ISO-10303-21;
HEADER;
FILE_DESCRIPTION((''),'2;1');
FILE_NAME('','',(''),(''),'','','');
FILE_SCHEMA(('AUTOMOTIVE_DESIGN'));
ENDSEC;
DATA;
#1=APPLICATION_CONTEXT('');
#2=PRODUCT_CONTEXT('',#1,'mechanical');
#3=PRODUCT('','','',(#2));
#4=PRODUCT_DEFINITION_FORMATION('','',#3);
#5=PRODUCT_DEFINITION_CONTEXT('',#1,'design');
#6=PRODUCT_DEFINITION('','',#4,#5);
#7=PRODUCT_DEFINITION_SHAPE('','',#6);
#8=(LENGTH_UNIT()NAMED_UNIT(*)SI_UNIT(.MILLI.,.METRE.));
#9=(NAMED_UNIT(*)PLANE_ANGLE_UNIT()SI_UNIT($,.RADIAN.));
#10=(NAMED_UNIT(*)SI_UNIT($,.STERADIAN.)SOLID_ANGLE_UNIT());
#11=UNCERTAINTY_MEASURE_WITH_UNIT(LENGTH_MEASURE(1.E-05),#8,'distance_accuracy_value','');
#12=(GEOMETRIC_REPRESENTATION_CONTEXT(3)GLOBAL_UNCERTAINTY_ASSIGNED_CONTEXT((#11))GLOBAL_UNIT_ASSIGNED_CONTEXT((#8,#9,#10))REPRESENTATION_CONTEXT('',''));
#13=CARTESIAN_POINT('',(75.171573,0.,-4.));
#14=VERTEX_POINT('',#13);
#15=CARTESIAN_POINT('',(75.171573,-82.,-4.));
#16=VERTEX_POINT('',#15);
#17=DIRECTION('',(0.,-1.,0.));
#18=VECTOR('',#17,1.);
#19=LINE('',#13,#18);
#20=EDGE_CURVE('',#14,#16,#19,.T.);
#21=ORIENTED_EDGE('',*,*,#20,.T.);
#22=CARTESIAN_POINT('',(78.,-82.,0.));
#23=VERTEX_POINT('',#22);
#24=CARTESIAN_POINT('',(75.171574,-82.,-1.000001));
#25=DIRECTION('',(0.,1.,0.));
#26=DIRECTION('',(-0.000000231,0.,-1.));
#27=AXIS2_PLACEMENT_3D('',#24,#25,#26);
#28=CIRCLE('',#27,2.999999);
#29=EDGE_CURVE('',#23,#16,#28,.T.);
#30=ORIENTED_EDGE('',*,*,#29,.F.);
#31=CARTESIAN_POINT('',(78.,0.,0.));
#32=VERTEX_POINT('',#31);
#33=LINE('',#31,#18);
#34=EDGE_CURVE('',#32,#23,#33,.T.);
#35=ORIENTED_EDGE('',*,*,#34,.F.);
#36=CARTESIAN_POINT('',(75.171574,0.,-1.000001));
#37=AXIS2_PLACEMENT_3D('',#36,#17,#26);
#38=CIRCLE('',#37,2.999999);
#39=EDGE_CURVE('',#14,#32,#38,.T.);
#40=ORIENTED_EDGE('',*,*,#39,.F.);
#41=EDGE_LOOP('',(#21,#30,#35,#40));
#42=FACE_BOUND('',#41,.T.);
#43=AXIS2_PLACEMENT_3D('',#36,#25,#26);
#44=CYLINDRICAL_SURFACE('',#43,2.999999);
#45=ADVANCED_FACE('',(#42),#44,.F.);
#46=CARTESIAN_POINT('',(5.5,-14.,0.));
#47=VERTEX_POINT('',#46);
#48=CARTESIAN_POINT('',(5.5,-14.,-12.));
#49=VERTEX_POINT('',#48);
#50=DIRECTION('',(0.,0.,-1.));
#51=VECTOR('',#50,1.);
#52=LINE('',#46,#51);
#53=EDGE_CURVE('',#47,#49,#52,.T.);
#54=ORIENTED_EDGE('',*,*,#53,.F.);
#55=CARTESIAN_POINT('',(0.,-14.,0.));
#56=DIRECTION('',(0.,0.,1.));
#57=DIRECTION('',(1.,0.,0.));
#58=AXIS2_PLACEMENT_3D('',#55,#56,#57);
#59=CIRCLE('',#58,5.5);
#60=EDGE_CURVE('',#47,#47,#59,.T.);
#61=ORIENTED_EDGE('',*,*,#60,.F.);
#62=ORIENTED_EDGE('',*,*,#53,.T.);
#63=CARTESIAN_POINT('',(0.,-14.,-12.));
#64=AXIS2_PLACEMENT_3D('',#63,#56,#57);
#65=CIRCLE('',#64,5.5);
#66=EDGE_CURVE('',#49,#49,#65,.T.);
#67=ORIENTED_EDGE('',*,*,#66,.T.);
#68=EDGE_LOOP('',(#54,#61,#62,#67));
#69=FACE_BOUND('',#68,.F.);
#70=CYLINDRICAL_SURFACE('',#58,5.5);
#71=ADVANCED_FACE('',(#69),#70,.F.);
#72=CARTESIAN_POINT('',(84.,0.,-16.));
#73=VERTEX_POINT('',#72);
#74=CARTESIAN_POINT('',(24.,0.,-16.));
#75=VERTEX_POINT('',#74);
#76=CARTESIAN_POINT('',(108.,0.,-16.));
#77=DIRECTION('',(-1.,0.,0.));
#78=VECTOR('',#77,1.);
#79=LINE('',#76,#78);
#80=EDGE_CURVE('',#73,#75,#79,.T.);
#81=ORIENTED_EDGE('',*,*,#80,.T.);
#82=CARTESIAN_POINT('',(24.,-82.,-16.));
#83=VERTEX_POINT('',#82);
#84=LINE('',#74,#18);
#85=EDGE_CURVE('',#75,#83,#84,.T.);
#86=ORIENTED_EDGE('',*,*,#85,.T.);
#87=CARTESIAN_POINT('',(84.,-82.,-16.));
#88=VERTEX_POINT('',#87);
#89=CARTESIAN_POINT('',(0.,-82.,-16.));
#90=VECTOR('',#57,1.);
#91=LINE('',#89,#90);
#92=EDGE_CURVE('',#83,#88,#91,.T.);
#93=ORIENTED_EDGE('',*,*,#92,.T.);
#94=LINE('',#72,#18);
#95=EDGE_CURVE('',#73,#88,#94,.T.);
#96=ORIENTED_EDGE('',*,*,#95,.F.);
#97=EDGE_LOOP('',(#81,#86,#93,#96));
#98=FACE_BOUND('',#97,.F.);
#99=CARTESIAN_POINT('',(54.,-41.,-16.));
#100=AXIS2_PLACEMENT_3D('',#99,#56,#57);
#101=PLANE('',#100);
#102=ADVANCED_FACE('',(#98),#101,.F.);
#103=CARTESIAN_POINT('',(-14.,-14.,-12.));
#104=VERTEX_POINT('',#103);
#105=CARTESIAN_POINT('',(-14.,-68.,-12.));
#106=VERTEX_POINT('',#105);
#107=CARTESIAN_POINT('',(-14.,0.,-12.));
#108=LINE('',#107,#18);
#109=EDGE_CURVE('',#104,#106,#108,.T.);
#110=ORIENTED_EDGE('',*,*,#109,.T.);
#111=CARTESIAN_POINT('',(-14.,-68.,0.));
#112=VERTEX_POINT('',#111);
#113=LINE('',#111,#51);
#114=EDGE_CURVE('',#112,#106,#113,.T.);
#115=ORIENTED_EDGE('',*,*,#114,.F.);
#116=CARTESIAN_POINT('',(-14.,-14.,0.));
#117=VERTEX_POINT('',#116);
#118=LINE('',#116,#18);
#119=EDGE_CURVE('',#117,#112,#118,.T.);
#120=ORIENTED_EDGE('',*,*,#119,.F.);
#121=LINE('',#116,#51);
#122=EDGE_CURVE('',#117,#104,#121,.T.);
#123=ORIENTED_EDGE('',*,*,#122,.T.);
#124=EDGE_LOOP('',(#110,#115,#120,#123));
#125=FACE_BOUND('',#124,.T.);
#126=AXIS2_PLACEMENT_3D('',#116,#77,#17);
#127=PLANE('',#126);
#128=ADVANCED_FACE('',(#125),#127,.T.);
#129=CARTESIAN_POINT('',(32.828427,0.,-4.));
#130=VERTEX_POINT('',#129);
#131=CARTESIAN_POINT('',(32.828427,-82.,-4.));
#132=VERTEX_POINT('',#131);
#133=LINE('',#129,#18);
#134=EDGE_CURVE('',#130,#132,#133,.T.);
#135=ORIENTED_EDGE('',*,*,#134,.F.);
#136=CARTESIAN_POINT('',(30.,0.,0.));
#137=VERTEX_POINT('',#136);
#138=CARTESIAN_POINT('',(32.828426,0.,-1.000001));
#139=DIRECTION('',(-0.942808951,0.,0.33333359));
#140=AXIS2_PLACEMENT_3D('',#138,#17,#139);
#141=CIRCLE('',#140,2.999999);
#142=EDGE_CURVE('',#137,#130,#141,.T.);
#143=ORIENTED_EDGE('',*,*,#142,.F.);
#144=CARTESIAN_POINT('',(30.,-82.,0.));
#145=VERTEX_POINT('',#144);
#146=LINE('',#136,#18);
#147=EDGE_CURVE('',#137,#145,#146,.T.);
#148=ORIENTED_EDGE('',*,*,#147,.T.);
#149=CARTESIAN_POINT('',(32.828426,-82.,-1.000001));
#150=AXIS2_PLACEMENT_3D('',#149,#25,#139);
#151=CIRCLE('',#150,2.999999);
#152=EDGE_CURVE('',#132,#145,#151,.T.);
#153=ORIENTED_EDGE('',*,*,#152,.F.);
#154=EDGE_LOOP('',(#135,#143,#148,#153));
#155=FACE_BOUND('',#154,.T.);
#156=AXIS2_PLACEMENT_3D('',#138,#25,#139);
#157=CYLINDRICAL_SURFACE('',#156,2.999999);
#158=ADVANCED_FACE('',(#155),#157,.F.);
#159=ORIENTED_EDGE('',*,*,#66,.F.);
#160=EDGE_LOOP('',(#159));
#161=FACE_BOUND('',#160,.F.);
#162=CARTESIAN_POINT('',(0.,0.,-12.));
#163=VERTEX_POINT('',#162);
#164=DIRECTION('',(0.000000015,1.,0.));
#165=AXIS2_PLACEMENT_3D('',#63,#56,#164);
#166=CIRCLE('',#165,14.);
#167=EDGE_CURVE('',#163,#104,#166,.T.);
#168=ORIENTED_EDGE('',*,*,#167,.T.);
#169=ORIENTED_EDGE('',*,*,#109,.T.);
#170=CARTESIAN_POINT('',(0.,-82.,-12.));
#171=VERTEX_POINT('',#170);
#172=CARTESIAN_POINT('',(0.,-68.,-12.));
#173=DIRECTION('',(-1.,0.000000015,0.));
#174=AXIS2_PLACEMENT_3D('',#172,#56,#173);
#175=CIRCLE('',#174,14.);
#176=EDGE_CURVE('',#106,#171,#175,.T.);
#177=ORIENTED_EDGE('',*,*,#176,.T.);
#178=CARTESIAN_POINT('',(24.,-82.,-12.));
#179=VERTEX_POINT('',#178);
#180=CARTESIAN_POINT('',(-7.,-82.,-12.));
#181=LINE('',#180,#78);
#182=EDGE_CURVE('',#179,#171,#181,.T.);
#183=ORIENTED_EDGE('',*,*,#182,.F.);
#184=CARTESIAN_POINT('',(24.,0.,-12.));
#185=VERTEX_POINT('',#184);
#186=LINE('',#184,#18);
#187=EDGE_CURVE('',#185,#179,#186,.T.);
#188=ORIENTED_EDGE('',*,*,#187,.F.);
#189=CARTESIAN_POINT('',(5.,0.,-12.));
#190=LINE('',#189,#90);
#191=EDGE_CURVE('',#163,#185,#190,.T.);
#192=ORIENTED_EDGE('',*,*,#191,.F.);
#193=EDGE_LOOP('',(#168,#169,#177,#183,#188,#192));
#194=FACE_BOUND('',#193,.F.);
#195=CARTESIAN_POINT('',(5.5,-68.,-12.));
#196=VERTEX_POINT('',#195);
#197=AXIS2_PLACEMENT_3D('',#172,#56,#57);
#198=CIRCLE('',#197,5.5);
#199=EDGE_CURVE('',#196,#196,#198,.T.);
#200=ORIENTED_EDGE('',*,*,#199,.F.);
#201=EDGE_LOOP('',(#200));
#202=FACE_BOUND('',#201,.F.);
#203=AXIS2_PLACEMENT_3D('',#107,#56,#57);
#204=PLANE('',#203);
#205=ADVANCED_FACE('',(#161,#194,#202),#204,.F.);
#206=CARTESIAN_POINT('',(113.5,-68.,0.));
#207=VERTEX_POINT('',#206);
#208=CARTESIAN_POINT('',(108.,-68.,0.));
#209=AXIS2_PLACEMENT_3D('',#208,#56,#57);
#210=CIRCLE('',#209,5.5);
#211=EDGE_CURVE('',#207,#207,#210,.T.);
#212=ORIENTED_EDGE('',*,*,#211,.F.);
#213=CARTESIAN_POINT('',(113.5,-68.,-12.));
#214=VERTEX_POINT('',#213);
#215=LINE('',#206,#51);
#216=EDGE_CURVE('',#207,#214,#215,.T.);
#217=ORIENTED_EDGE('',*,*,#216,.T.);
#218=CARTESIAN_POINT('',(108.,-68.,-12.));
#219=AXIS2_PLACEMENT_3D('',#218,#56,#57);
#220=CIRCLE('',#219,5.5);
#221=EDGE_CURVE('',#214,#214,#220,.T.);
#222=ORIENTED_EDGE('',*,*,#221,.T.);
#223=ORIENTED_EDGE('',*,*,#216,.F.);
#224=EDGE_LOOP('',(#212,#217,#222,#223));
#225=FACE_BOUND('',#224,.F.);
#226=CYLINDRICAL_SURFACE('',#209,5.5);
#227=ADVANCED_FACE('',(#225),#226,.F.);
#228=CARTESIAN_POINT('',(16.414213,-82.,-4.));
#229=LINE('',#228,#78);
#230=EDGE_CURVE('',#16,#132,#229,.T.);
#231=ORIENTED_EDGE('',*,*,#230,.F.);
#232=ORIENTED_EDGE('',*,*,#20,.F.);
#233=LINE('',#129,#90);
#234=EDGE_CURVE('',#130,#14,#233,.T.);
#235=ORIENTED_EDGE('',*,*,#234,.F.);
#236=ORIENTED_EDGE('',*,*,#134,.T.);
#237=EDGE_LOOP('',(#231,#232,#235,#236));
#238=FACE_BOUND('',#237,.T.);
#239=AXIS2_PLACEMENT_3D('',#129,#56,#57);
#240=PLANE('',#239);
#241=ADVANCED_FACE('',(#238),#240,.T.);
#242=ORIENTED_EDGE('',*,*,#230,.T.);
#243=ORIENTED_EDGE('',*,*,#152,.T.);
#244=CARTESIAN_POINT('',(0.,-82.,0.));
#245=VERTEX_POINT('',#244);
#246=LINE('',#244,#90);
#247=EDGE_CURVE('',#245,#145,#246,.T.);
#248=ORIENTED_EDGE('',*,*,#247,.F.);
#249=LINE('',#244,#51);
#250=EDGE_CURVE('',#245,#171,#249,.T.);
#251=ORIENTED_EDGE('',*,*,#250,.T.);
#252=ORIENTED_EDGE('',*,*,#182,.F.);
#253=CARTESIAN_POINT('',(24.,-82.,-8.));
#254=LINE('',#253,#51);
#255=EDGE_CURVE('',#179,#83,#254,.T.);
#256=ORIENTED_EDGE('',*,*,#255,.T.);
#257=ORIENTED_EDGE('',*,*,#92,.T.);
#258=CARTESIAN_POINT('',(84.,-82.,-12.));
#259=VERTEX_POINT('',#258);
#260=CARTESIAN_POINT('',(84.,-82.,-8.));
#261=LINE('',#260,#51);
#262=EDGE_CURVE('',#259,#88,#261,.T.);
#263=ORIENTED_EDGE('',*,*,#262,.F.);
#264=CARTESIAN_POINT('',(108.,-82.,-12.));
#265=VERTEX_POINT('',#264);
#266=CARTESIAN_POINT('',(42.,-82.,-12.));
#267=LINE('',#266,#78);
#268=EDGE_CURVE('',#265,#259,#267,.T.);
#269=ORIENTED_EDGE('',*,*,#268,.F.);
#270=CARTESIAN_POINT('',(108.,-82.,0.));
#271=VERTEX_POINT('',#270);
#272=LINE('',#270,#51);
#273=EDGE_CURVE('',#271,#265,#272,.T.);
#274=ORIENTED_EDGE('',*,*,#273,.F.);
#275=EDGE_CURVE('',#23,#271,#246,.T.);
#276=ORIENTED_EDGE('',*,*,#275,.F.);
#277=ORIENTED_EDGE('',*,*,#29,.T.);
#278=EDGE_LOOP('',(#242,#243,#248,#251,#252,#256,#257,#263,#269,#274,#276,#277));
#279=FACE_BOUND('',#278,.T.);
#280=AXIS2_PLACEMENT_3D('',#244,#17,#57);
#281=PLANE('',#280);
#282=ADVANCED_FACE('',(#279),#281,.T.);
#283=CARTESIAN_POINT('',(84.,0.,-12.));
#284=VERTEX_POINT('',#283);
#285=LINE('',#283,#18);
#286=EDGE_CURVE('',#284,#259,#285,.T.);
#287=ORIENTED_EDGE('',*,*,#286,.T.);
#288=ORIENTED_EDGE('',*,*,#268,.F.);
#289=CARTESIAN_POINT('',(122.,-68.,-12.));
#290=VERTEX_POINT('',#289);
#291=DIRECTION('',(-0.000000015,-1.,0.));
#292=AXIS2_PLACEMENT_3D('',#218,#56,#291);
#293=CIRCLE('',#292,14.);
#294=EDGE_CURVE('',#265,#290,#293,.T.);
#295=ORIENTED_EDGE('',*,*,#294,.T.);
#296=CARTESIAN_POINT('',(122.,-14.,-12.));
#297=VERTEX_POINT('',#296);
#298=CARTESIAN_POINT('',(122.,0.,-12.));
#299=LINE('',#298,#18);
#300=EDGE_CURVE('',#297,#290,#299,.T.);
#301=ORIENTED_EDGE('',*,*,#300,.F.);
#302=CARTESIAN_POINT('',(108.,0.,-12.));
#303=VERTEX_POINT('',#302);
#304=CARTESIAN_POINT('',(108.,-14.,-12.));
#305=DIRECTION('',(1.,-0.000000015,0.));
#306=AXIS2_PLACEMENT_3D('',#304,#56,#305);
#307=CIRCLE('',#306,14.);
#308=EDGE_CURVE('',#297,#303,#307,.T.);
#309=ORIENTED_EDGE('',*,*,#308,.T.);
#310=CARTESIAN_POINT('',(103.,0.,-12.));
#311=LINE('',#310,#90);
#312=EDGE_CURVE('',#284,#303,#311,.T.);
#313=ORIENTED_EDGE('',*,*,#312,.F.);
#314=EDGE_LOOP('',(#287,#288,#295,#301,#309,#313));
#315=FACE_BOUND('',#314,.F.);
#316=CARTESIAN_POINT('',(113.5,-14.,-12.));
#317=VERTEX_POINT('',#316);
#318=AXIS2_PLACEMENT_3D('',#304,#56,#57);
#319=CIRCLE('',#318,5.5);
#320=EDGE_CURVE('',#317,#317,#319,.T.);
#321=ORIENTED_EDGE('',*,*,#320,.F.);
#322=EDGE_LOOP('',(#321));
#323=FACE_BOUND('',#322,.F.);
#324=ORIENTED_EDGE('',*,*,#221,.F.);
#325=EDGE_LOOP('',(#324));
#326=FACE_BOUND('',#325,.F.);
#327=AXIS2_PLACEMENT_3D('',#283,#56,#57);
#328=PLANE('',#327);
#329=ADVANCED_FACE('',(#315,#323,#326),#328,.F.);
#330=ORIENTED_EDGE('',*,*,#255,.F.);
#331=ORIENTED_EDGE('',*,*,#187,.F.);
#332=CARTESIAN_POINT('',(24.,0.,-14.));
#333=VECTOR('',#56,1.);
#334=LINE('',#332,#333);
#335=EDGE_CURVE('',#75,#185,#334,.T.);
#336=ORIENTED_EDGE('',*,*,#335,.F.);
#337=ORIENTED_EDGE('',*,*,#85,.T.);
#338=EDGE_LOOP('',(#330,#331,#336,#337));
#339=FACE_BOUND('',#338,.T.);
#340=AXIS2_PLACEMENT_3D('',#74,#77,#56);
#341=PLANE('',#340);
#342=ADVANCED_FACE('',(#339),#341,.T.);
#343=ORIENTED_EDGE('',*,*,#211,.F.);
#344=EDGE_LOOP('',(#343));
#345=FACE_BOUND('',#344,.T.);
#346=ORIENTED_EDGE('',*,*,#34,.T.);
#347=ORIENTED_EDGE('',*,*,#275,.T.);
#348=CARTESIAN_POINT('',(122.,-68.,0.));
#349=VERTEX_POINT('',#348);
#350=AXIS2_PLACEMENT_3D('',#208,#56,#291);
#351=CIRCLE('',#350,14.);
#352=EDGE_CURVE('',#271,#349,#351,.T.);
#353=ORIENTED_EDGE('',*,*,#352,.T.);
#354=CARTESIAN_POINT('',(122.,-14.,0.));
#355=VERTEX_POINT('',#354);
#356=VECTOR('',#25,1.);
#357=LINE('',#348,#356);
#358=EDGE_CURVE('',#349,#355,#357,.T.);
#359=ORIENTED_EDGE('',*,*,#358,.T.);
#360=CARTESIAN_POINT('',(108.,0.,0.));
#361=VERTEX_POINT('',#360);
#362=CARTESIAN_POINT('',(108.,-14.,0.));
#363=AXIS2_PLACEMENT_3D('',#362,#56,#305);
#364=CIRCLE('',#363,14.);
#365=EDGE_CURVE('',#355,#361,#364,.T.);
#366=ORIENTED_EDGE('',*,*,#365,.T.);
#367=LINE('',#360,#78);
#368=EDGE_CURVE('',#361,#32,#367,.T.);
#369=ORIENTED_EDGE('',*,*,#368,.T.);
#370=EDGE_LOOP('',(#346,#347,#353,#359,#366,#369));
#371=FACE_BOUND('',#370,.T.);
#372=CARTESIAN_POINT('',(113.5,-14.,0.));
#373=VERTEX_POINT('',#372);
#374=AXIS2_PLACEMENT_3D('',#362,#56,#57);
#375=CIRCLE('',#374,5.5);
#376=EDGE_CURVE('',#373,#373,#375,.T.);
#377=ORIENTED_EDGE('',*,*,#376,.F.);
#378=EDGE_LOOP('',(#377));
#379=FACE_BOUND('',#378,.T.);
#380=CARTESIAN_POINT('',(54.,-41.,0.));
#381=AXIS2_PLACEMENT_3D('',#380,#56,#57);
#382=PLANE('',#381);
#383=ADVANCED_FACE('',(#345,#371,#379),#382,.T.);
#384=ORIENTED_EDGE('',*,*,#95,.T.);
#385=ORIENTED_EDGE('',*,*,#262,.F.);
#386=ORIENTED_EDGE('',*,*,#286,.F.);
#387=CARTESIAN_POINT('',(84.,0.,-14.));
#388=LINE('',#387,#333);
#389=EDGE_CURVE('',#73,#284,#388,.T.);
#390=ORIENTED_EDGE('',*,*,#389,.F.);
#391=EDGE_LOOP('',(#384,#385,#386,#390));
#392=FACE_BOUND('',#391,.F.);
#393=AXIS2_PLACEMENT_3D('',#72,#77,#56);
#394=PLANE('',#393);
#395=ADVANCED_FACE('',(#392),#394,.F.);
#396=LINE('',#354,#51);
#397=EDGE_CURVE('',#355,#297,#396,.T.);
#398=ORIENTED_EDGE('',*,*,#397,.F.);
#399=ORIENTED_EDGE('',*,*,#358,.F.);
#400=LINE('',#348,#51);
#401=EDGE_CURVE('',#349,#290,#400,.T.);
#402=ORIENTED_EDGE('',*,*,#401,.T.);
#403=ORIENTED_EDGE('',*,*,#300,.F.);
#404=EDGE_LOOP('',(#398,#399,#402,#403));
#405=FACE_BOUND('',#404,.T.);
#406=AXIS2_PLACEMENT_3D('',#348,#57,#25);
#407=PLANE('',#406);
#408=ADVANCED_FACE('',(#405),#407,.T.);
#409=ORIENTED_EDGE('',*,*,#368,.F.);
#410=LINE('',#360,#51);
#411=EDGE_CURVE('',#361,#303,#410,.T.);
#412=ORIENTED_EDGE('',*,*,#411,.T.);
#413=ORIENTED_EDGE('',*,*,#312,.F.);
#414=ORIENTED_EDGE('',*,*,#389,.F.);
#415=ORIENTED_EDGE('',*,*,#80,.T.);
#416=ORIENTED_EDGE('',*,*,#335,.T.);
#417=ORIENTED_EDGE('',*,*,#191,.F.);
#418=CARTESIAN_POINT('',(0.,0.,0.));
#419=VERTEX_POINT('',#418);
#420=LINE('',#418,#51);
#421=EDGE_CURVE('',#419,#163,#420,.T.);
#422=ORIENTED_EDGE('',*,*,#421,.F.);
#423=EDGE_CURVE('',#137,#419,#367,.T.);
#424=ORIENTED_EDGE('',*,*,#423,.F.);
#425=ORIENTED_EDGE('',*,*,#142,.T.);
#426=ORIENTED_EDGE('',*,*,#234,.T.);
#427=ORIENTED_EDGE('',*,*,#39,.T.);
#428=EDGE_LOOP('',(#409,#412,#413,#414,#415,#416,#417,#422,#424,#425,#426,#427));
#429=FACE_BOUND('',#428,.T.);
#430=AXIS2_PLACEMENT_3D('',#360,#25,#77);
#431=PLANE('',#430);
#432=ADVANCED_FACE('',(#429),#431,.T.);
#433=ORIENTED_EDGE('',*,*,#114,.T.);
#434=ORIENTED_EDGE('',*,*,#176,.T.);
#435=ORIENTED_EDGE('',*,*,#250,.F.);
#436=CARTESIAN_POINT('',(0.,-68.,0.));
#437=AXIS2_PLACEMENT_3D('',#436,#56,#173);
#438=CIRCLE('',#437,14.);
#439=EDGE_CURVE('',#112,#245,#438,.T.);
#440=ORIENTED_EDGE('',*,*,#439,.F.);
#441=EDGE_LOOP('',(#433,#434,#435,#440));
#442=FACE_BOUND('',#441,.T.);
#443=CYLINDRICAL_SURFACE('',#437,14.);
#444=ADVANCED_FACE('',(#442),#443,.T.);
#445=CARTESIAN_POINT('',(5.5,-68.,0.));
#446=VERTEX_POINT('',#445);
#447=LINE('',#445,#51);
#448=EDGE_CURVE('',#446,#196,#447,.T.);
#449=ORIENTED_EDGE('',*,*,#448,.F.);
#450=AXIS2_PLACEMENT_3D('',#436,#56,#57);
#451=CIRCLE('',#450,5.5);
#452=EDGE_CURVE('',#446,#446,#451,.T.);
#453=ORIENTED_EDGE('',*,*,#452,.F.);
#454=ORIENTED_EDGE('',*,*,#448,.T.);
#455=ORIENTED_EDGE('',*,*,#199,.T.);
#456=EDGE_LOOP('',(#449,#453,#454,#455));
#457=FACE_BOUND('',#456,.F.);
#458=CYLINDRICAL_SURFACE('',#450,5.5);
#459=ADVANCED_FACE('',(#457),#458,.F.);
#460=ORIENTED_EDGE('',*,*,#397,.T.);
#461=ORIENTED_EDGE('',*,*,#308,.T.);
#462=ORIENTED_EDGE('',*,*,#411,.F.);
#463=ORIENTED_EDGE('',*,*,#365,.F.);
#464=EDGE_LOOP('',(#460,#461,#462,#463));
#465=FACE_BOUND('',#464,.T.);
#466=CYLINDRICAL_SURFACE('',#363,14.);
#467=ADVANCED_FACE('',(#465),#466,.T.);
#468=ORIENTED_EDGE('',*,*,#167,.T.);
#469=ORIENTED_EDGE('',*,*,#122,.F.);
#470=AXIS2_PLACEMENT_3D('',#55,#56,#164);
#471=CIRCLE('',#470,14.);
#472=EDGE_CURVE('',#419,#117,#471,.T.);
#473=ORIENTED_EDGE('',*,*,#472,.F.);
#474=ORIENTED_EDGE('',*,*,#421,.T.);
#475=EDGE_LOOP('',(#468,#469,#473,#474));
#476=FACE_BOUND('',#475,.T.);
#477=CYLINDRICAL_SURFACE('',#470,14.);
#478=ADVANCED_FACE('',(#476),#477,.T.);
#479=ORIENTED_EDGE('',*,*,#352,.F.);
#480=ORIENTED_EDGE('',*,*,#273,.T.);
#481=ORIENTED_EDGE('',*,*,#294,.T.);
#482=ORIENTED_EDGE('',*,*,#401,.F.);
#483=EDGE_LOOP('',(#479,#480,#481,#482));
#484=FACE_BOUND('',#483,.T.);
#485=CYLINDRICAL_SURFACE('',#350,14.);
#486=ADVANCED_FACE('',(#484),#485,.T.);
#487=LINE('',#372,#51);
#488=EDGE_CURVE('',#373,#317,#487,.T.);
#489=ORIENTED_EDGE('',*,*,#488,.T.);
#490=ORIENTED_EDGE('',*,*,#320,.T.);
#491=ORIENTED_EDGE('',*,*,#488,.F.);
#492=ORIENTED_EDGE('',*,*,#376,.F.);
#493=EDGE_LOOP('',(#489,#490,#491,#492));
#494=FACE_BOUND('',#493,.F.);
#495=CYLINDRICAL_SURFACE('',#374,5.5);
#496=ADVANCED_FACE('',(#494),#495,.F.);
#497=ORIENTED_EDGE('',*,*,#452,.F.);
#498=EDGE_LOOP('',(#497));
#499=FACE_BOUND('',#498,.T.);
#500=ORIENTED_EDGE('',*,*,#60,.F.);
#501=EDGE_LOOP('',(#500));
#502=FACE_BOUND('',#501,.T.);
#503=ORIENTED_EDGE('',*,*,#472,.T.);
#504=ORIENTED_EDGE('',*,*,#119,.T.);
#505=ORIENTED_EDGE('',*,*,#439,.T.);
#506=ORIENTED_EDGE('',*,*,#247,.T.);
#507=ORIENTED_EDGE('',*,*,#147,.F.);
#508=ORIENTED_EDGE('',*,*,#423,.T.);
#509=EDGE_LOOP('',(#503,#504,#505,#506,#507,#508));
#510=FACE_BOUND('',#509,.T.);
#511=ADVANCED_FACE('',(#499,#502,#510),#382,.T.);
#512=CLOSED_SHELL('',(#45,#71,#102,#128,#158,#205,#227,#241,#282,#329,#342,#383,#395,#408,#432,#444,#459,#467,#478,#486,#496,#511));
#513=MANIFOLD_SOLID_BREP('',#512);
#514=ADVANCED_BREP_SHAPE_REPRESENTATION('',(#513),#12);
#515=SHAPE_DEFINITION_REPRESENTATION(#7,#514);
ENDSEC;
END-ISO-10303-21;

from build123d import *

# Parameters (mm, degrees)
F0_R     = 5.5
F1_DEPTH = 16
F2_W     = 38
F2_H     = 4
F3_DEPTH = 82.001


with BuildPart() as f1:
    # F0 (on Top) → F1 (new body)
    with BuildSketch(Plane.XY):
        with BuildLine():
            Line((108, 0), (0, 0))
            ThreePointArc((0, 0), (-9.899495, -4.100505), (-14, -14))
            Line((-14, -14), (-14, -68))
            ThreePointArc((-14, -68), (-9.899495, -77.899495), (0, -82))
            Line((0, -82), (108, -82))
            ThreePointArc((108, -82), (117.899495, -77.899495), (122, -68))
            Line((122, -68), (122, -14))
            ThreePointArc((122, -14), (117.899495, -4.100505), (108, 0))
        make_face()
        with Locations((0, -68)):
            Circle(F0_R, mode=Mode.SUBTRACT)
        with Locations((108, -68)):
            Circle(F0_R, mode=Mode.SUBTRACT)
        with Locations((0, -14)):
            Circle(F0_R, mode=Mode.SUBTRACT)
        with Locations((108, -14)):
            Circle(F0_R, mode=Mode.SUBTRACT)
    extrude(amount=-F1_DEPTH)

    # F2 (on Front) → F3 (cut, through all)
    with BuildSketch(Plane.XZ):
        with BuildLine():
            ThreePointArc((30, 0), (30.378937, -2.732051), (32.828427, -4))
            Line((32.828427, -4), (75.171573, -4))
            ThreePointArc((75.171573, -4), (77.621063, -2.732051), (78, 0))
            Line((78, 0), (30, 0))
        make_face()
        with Locations((5, -14)):
            Rectangle(F2_W, F2_H)
        with Locations((103, -14)):
            Rectangle(F2_W, F2_H)
    extrude(amount=F3_DEPTH, mode=Mode.SUBTRACT)


solid = f1.part
